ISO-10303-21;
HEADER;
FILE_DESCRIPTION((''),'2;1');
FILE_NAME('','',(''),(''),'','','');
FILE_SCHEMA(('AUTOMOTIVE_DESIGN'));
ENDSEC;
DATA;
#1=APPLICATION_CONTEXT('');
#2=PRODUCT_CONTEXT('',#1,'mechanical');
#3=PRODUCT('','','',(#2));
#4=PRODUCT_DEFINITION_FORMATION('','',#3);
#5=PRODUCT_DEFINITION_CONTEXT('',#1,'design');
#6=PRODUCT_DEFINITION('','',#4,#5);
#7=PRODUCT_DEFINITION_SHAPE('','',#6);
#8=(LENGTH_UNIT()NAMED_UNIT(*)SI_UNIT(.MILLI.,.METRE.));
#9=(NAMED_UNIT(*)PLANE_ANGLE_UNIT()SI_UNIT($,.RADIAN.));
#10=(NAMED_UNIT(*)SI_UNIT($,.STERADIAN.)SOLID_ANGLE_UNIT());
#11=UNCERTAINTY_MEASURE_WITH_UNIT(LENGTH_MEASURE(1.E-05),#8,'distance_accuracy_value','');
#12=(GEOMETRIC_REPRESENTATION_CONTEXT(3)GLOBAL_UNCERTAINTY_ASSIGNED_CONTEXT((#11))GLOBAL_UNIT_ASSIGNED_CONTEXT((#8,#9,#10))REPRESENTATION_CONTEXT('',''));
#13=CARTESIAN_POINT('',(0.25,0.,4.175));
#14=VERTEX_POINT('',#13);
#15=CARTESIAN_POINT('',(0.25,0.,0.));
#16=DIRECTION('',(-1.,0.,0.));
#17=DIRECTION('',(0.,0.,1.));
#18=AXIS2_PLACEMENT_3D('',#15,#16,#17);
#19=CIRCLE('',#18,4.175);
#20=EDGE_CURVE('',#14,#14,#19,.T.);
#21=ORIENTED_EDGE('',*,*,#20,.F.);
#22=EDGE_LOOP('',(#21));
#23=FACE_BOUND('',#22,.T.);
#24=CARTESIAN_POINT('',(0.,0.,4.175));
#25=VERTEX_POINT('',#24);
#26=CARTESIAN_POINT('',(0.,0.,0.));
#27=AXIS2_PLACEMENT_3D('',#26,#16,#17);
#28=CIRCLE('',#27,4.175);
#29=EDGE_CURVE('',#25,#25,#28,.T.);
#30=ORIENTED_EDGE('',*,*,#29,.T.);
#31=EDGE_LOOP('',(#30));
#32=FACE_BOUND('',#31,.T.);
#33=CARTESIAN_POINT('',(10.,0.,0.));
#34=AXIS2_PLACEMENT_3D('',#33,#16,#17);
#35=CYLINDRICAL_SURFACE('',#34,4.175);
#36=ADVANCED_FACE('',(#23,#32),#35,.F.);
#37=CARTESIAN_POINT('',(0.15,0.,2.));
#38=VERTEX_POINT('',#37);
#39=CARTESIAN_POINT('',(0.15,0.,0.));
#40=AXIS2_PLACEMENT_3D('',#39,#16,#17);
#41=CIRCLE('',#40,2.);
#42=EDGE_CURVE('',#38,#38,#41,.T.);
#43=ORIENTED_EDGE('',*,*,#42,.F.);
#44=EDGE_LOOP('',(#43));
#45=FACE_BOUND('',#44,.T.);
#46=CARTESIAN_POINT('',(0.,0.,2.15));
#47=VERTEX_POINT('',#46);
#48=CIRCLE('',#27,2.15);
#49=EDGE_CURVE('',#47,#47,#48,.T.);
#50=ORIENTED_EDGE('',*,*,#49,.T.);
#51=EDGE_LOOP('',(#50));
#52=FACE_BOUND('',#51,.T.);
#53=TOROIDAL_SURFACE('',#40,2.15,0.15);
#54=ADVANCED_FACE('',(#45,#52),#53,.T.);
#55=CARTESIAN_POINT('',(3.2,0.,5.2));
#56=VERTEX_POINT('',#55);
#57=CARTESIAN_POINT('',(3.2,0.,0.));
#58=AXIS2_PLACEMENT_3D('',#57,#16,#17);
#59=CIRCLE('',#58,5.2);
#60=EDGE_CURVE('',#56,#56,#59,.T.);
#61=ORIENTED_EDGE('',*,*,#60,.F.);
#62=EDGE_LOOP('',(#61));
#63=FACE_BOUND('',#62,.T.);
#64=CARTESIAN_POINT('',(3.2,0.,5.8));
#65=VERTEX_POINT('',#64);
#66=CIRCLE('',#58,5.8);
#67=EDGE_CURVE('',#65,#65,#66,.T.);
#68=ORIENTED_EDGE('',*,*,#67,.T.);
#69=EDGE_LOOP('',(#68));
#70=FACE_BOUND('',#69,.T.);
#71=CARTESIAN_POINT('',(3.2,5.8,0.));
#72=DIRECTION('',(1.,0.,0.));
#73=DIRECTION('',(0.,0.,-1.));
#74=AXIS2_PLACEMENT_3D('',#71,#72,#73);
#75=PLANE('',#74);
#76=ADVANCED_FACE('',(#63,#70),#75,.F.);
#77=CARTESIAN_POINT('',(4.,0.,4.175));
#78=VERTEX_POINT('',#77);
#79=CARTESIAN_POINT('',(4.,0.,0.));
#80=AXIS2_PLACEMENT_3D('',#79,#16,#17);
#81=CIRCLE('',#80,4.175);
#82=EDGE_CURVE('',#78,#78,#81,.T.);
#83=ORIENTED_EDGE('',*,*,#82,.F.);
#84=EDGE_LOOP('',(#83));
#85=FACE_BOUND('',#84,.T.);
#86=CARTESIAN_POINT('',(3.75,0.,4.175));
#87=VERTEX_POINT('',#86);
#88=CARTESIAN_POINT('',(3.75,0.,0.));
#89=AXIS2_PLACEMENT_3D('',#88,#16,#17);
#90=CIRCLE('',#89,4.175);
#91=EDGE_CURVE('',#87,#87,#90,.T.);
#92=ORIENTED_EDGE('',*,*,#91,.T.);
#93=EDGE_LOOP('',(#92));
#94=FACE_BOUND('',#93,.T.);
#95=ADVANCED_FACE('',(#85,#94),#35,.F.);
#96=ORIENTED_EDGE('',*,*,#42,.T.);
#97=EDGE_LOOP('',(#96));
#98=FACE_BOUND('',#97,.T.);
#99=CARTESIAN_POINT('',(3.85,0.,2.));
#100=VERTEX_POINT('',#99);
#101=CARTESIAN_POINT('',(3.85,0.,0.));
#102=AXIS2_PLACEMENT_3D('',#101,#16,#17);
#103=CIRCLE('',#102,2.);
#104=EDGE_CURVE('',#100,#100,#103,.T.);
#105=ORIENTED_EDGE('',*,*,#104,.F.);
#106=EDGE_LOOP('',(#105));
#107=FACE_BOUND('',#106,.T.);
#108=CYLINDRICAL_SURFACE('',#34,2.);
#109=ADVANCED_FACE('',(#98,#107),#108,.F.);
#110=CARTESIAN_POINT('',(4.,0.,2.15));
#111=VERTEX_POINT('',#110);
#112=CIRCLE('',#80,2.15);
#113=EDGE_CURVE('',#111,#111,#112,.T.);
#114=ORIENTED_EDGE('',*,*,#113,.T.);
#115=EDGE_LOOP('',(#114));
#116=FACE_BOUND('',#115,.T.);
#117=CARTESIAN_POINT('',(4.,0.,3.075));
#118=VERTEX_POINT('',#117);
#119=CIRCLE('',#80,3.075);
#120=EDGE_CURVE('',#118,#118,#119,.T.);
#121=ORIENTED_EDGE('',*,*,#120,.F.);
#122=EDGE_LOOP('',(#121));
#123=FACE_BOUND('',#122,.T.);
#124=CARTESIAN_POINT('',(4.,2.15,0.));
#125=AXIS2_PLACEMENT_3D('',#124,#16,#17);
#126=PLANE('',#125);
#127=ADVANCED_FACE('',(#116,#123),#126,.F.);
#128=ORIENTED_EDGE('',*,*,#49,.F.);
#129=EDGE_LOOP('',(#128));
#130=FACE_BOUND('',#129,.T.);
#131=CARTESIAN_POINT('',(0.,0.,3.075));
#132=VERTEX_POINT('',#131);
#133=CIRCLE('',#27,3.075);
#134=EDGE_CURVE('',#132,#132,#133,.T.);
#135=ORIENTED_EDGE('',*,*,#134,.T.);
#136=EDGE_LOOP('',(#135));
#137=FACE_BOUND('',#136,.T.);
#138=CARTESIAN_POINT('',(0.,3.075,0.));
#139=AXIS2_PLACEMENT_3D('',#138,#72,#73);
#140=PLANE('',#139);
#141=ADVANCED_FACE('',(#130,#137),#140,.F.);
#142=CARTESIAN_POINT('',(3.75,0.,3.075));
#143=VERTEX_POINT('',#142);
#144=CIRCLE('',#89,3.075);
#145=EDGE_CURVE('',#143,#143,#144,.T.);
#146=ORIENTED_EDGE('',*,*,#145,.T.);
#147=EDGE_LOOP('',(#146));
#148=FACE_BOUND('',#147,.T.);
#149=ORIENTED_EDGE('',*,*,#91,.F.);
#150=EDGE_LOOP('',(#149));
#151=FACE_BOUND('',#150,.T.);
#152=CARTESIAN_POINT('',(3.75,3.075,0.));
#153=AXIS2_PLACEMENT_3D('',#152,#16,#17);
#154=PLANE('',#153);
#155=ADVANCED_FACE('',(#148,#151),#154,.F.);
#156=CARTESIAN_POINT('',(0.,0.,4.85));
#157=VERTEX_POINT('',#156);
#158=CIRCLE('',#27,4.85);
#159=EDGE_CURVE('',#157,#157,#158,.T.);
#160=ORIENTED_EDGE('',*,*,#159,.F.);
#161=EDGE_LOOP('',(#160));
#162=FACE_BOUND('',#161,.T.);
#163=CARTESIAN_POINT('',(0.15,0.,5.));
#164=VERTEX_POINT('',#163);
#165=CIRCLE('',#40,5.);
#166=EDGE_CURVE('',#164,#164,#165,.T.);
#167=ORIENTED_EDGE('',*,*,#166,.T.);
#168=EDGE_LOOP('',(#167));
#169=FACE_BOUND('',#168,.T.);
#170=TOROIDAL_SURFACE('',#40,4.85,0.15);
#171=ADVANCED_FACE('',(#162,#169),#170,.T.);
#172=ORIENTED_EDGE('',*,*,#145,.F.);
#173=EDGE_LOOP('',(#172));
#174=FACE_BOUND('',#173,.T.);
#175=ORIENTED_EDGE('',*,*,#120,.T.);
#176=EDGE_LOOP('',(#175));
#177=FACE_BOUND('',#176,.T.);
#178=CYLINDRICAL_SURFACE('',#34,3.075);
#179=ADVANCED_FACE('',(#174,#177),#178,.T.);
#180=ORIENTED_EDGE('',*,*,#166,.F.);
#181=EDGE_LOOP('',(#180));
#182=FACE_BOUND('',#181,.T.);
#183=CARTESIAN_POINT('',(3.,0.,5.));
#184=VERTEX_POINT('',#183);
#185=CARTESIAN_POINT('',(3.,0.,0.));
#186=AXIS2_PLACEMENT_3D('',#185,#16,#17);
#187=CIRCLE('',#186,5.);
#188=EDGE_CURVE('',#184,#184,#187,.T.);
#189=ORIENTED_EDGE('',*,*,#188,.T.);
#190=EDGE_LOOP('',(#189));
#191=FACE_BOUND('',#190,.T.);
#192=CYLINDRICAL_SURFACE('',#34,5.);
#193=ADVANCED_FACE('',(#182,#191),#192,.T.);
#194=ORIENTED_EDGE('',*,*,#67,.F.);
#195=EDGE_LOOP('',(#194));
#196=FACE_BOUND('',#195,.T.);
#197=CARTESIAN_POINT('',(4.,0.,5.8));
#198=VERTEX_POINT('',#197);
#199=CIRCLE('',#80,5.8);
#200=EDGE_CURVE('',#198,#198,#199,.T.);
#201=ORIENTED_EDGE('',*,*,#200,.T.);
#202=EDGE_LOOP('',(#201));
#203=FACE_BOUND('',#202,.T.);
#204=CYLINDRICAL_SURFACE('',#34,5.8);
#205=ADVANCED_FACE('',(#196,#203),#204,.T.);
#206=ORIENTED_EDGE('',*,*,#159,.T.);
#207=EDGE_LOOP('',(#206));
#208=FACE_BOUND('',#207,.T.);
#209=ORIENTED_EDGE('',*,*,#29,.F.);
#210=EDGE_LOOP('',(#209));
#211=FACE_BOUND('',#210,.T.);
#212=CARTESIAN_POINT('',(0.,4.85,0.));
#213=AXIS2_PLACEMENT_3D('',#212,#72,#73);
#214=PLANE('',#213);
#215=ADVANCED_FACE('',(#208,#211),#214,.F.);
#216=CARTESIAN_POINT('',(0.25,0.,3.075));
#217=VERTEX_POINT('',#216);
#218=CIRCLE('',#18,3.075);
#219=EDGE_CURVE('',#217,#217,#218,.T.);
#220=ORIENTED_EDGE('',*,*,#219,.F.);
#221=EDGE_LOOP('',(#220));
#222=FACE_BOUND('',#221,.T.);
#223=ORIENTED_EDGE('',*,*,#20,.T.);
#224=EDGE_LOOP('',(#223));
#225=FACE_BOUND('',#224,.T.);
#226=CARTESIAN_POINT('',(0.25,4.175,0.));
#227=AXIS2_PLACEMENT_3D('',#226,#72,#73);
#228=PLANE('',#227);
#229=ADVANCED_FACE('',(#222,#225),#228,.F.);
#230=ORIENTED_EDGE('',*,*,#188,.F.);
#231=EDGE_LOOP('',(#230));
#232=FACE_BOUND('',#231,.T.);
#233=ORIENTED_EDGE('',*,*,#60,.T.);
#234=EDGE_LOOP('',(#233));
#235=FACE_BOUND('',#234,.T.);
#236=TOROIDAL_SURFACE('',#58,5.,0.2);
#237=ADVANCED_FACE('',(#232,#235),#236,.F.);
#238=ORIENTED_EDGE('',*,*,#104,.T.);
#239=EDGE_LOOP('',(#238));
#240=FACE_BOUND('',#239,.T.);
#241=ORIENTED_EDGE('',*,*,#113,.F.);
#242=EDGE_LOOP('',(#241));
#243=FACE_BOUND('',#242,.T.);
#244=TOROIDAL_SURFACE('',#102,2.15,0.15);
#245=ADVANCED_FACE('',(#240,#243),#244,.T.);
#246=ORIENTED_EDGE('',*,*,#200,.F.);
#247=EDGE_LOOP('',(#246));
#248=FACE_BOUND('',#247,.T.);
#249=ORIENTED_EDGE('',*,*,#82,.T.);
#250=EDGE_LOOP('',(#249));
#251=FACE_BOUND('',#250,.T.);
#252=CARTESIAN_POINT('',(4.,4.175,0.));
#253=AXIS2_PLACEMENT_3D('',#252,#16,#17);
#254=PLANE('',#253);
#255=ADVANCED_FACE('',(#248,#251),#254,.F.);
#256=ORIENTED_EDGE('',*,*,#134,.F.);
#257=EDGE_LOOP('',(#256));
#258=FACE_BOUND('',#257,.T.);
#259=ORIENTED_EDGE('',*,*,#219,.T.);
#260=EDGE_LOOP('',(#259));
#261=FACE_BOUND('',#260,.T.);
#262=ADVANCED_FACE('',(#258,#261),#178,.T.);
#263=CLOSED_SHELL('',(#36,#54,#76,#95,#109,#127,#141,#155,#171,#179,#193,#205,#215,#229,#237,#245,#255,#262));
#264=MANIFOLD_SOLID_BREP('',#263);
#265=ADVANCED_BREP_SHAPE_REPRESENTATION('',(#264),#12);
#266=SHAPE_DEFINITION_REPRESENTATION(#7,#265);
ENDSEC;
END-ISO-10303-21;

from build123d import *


with BuildPart() as part:
    # Sketch1 → Revolve1 (revolve)
    with BuildSketch(Plane.XY, mode=Mode.PRIVATE) as revolve1_sk:
        with BuildLine():
            Line((0, 4.85), (0, 4.175))
            Line((0, 4.175), (0.25, 4.175))
            Line((0.25, 4.175), (0.25, 3.075))
            Line((0.25, 3.075), (0, 3.075))
            Line((0, 3.075), (0, 2.15))
            ThreePointArc((0, 2.15), (0.043933983, 2.043933983), (0.15, 2))
            Line((0.15, 2), (3.85, 2))
            ThreePointArc((3.85, 2), (3.956066017, 2.043933983), (4, 2.15))
            Line((4, 2.15), (4, 3.075))
            Line((4, 3.075), (3.75, 3.075))
            Line((3.75, 3.075), (3.75, 4.175))
            Line((3.75, 4.175), (4, 4.175))
            Line((4, 4.175), (4, 5.8))
            Line((4, 5.8), (3.2, 5.8))
            Line((3.2, 5.8), (3.2, 5.2))
            ThreePointArc((3.2, 5.2), (3.341421356, 4.858578644), (3, 5))
            Line((3, 5), (0.15, 5))
            ThreePointArc((0.15, 5), (0.043933983, 4.956066017), (0, 4.85))
        make_face()
    revolve(revolve1_sk.sketch.rotate(Axis((10, 0, 0), (-1, 0, 0)), 270), axis=Axis((10, 0, 0), (-1, 0, 0)))


solid = part.part
